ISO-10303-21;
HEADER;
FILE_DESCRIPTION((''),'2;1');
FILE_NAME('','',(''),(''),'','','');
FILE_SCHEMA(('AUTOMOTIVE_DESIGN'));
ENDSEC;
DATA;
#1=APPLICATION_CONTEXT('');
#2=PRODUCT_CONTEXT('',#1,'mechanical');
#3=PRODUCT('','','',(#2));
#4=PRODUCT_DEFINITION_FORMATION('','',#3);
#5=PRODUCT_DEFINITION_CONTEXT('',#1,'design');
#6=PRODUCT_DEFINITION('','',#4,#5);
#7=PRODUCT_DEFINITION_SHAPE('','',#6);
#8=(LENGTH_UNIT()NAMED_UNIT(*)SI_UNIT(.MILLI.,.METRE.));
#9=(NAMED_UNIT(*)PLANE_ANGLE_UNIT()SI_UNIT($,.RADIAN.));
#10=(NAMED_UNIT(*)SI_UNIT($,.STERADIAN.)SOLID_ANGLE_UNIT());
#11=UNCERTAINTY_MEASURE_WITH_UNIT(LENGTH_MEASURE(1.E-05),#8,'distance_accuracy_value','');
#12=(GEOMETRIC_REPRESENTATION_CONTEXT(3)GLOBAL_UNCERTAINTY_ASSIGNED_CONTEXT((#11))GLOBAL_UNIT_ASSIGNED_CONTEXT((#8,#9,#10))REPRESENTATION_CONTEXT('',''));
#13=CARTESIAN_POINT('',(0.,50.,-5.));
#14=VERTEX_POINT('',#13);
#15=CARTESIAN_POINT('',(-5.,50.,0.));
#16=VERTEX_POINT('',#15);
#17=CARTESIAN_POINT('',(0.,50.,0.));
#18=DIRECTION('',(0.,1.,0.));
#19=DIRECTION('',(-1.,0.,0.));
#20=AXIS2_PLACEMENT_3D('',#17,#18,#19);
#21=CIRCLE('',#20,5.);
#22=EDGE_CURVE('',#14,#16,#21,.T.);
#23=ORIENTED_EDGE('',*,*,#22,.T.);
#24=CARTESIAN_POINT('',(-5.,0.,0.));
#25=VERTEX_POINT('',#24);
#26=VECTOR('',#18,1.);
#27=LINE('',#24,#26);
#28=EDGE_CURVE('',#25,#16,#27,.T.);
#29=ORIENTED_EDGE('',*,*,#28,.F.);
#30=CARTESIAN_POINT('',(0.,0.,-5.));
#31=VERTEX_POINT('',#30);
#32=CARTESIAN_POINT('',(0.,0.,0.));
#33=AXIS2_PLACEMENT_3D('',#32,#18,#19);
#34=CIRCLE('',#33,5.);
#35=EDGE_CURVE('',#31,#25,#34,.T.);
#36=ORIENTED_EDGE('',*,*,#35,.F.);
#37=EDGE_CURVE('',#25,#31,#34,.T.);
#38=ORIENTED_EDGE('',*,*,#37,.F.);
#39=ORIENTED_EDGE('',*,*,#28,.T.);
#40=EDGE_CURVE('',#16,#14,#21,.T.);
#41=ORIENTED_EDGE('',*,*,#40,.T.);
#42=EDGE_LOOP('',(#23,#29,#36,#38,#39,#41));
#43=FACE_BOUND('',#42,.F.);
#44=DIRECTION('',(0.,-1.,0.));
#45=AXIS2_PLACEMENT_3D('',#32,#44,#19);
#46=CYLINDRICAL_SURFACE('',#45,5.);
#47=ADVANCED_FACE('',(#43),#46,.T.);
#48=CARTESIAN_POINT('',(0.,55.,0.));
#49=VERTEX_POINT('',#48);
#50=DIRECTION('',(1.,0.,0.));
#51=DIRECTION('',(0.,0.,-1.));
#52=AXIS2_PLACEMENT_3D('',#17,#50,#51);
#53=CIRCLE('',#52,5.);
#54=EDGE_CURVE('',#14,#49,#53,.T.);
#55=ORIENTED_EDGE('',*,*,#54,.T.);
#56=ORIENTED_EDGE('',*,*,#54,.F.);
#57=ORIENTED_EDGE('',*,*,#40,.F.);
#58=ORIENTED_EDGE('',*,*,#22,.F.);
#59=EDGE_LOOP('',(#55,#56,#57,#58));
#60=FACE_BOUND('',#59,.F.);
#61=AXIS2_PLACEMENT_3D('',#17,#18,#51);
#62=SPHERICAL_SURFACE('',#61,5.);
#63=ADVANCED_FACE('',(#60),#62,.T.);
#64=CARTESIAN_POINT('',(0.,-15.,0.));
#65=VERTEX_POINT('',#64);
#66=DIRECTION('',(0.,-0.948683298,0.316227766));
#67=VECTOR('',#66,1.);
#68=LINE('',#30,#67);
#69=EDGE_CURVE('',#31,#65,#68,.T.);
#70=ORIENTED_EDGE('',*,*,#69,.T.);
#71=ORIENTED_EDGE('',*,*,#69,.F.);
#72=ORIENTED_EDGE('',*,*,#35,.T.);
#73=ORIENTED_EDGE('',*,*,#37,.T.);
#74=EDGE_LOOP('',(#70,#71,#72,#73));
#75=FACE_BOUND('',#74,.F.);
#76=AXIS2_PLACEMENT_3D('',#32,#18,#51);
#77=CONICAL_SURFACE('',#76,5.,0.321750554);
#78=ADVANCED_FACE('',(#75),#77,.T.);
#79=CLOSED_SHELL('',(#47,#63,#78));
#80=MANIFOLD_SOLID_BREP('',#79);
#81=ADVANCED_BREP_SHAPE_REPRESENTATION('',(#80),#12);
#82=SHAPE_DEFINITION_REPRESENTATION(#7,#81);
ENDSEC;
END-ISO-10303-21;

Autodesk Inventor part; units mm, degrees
ref_plane "YZ Plane" through (0, 0, 0) normal (1, 0, 0) x (0, 1, 0)
ref_plane "XZ Plane" through (0, 0, 0) normal (0, 1, 0) x (-1, 0, 0)
ref_plane "XY Plane" through (0, 0, 0) normal (0, 0, 1) x (1, 0, 0)
sketch "Sketch1" plane through (0, 0, 0) normal (0, 1, 0) x (-1, 0, 0)
  circle A0 centre (0, 0) radius 5
  dimension "d0" = 10
extrude "Extrusion1" add sketch "Sketch1" along normal blind 50
sketch "Sketch2" plane through (0, 0, 0) normal (1, 0, 0) x (0, 1, 0)
  line L0 (0, 5) -> (0, -5) projected
  line L1 (0, -5) -> (0, 0)
  line L2 (-15, 0) -> (0, 0)
  line L3 (0, -5) -> (-15, 0)
  dimension "d3" = 15
revolve "Revolution1" add sketch "Sketch2" angle 360 about axis through (0, -15, 0) along (0, 1, 0)
sketch "Sketch4" plane through (0, 0, 0) normal (1, 0, 0) x (0, 1, 0)
  line L0 (50, -5) -> (50, 5) projected
  arc A0 (50, -5) -> (55, 0) centre (50, 0) ccw
  line L1 (55, 0) -> (50, 0)
  line L2 (50, -5) -> (50, 0)
  point P0 (0, 0)
revolve "Revolution2" add sketch "Sketch4" angle 360 about axis through (0, 55, 0) along (0, -1, 0)
equation "\"d0\" = cylinder_r"
equation "\"d1\" = cylinder_h"
equation "\"d3\" = cone_h"
equation "\"cylinder_h\" = 50"
equation "\"cone_h\" = 15"
equation "\"cylinder_r\" = 10"
properties part number "parametrized pencile"
